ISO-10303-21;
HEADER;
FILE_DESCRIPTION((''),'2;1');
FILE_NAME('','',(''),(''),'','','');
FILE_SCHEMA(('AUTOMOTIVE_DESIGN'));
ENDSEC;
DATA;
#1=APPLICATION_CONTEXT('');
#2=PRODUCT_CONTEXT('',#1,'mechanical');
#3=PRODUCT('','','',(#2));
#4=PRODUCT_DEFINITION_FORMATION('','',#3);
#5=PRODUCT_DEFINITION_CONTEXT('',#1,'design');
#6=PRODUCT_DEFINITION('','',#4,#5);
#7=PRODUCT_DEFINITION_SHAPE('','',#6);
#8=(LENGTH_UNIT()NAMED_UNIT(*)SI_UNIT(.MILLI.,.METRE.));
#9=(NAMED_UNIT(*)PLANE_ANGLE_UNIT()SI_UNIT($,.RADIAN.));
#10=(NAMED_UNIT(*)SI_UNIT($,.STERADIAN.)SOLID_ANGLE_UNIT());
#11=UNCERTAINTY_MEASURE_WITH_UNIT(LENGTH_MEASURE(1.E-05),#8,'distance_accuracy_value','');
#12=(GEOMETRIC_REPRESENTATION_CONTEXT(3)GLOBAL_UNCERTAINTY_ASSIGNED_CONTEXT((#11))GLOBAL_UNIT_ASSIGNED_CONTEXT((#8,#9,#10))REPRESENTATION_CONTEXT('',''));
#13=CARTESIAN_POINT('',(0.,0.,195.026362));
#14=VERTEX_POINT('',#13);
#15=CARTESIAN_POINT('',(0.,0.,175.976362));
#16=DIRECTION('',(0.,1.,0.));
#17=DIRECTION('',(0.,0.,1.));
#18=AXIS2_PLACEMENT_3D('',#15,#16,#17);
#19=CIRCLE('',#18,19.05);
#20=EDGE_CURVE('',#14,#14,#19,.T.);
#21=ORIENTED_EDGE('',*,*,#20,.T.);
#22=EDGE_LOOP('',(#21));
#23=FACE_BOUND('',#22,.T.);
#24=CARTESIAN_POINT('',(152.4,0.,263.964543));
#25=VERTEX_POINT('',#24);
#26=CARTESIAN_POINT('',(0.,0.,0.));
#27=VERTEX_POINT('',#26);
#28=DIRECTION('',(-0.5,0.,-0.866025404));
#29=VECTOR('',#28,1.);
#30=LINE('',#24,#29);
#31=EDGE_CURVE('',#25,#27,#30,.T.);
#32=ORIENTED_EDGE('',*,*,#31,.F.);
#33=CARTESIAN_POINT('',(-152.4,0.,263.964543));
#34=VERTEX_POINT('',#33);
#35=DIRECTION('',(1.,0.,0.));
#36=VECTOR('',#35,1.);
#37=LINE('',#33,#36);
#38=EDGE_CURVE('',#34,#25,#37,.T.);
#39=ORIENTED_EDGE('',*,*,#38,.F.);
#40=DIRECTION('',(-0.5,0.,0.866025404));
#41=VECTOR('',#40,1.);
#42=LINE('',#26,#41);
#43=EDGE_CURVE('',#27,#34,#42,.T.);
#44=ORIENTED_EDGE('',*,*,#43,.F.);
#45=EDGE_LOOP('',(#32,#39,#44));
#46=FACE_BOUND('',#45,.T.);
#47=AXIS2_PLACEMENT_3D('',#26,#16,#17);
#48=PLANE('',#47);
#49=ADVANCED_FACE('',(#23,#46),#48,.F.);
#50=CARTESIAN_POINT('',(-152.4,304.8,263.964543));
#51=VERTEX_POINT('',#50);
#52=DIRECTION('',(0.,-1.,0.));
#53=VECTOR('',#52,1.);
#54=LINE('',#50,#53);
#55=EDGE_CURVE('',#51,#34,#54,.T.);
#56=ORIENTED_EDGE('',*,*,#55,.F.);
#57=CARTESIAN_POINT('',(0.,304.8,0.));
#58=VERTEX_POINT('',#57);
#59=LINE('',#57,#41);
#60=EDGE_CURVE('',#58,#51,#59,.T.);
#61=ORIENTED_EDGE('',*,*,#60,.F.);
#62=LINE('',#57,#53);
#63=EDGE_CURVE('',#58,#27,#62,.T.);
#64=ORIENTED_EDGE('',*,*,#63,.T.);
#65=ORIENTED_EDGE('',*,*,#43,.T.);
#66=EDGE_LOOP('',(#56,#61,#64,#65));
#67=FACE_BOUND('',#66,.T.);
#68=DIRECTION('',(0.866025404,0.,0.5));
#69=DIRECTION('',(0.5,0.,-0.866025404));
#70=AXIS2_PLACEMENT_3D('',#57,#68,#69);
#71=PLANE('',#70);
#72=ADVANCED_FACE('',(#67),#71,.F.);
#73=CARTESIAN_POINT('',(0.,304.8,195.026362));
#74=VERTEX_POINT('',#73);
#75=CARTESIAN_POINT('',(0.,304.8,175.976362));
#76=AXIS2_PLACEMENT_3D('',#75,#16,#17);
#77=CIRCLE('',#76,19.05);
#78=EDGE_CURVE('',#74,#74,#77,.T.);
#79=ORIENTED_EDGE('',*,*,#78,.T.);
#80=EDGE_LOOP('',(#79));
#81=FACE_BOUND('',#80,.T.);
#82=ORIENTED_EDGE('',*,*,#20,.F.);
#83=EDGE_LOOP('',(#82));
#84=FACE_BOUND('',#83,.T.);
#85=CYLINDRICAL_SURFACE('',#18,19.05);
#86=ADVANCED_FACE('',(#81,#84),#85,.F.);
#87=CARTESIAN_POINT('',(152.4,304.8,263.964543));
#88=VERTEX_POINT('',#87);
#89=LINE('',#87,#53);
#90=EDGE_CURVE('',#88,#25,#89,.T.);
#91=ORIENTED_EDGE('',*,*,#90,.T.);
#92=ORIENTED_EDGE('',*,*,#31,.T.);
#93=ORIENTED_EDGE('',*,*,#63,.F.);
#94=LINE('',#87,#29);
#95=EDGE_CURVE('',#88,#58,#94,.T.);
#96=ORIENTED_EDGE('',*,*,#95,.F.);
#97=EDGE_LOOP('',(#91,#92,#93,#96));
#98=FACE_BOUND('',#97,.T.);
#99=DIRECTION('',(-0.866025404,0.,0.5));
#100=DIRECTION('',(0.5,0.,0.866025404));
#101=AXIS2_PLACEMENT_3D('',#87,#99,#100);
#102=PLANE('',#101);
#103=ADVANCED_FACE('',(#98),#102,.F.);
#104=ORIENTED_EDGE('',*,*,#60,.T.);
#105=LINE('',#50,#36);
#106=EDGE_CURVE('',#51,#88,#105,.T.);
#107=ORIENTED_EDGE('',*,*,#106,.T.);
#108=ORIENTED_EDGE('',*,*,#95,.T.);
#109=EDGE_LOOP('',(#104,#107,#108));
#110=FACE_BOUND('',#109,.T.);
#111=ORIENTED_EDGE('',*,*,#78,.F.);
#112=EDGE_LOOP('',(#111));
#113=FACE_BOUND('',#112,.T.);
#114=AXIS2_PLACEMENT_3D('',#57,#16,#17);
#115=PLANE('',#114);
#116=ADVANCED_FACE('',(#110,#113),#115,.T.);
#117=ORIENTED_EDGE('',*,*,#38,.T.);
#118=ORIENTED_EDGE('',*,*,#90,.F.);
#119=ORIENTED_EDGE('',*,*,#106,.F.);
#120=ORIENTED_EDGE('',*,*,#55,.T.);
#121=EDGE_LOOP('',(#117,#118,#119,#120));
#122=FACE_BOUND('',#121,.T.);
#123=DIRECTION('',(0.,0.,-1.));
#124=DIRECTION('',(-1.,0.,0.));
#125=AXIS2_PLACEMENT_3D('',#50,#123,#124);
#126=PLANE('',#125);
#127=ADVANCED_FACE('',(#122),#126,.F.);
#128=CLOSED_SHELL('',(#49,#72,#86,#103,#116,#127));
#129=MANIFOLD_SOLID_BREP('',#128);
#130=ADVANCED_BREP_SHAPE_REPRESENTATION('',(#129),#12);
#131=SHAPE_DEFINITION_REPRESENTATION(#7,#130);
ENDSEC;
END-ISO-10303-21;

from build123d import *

# Parameters (mm, degrees)
BOSS_EXTRUDE1_DEPTH = 304.8
SKETCH2_R           = 19.05
CUT_EXTRUDE1_DEPTH  = 305.8


with BuildPart() as part:
    # Sketch1 → Boss-Extrude1 (new body)
    with BuildSketch(Plane(origin=(0, 0, 0), x_dir=(1, 0, 0), z_dir=(0, 1, 0))):
        Polygon((0, 0), (-152.4, -263.964543073), (152.4, -263.964543073), align=None)
    extrude(amount=BOSS_EXTRUDE1_DEPTH)

    # Sketch2 → Cut-Extrude1 (cut, through all)
    with BuildSketch(Plane(origin=(0, 304.8, 0), x_dir=(1, 0, 0), z_dir=(0, 1, 0))):
        with Locations((0, -175.976362049)):
            Circle(SKETCH2_R)
    extrude(amount=-CUT_EXTRUDE1_DEPTH, mode=Mode.SUBTRACT)


solid = part.part
